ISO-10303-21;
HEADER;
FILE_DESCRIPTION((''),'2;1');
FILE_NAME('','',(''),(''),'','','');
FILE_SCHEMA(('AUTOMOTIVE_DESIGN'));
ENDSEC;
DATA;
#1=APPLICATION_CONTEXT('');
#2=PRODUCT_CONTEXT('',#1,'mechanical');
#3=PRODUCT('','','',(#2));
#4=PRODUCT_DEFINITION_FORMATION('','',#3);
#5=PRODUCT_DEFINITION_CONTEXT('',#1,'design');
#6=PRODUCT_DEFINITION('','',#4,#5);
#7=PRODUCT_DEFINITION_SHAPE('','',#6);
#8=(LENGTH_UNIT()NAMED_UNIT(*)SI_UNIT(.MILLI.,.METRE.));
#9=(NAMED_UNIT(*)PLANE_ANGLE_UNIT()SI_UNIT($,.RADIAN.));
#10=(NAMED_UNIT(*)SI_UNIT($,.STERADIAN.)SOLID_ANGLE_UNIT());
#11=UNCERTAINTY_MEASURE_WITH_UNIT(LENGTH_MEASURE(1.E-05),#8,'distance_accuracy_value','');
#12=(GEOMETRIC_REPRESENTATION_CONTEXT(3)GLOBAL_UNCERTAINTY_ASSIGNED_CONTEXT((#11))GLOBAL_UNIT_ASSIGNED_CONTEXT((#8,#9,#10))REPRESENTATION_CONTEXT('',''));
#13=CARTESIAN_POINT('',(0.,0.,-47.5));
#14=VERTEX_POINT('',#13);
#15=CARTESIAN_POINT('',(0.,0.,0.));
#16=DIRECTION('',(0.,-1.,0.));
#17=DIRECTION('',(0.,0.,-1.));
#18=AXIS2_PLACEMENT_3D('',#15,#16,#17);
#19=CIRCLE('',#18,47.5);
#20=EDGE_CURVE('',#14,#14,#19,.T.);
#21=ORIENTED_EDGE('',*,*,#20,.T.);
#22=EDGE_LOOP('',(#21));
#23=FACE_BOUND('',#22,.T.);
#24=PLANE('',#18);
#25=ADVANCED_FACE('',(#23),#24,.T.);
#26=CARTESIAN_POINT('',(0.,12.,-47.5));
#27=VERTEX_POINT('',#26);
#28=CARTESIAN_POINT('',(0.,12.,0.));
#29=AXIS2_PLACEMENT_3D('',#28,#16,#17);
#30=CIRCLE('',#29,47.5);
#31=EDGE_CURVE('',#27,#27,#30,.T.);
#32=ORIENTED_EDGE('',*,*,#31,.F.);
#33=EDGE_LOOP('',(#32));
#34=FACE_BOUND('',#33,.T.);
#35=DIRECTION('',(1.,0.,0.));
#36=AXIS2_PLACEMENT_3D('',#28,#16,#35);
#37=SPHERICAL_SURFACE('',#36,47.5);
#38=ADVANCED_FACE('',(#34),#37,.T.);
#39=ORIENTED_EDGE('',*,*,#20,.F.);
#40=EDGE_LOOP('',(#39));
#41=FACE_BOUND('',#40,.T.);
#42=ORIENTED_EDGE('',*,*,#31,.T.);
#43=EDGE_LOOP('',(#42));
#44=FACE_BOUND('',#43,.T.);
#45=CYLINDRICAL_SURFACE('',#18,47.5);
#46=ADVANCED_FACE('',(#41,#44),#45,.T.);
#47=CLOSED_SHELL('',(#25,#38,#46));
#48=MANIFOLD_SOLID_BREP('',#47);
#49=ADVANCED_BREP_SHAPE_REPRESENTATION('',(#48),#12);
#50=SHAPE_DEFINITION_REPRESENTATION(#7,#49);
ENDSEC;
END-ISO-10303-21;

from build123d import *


with BuildPart() as part:
    # Sketch1 → HMR_topu_220g_D95x59.5 (revolve)
    with BuildSketch(Plane.XY, mode=Mode.PRIVATE) as hmr_topu_220g_d95x59_5_sk:
        with BuildLine():
            Line((0, 0), (47.5, 0))
            Line((47.5, 0), (47.5, 12))
            ThreePointArc((47.5, 12), (33.587572106, 45.587572106), (0, 59.5))
            Line((0, 59.5), (0, 0))
        make_face()
    revolve(hmr_topu_220g_d95x59_5_sk.sketch.rotate(Axis((0, 0, 0), (0, 1, 0)), 90), axis=Axis((0, 0, 0), (0, 1, 0)))


solid = part.part
